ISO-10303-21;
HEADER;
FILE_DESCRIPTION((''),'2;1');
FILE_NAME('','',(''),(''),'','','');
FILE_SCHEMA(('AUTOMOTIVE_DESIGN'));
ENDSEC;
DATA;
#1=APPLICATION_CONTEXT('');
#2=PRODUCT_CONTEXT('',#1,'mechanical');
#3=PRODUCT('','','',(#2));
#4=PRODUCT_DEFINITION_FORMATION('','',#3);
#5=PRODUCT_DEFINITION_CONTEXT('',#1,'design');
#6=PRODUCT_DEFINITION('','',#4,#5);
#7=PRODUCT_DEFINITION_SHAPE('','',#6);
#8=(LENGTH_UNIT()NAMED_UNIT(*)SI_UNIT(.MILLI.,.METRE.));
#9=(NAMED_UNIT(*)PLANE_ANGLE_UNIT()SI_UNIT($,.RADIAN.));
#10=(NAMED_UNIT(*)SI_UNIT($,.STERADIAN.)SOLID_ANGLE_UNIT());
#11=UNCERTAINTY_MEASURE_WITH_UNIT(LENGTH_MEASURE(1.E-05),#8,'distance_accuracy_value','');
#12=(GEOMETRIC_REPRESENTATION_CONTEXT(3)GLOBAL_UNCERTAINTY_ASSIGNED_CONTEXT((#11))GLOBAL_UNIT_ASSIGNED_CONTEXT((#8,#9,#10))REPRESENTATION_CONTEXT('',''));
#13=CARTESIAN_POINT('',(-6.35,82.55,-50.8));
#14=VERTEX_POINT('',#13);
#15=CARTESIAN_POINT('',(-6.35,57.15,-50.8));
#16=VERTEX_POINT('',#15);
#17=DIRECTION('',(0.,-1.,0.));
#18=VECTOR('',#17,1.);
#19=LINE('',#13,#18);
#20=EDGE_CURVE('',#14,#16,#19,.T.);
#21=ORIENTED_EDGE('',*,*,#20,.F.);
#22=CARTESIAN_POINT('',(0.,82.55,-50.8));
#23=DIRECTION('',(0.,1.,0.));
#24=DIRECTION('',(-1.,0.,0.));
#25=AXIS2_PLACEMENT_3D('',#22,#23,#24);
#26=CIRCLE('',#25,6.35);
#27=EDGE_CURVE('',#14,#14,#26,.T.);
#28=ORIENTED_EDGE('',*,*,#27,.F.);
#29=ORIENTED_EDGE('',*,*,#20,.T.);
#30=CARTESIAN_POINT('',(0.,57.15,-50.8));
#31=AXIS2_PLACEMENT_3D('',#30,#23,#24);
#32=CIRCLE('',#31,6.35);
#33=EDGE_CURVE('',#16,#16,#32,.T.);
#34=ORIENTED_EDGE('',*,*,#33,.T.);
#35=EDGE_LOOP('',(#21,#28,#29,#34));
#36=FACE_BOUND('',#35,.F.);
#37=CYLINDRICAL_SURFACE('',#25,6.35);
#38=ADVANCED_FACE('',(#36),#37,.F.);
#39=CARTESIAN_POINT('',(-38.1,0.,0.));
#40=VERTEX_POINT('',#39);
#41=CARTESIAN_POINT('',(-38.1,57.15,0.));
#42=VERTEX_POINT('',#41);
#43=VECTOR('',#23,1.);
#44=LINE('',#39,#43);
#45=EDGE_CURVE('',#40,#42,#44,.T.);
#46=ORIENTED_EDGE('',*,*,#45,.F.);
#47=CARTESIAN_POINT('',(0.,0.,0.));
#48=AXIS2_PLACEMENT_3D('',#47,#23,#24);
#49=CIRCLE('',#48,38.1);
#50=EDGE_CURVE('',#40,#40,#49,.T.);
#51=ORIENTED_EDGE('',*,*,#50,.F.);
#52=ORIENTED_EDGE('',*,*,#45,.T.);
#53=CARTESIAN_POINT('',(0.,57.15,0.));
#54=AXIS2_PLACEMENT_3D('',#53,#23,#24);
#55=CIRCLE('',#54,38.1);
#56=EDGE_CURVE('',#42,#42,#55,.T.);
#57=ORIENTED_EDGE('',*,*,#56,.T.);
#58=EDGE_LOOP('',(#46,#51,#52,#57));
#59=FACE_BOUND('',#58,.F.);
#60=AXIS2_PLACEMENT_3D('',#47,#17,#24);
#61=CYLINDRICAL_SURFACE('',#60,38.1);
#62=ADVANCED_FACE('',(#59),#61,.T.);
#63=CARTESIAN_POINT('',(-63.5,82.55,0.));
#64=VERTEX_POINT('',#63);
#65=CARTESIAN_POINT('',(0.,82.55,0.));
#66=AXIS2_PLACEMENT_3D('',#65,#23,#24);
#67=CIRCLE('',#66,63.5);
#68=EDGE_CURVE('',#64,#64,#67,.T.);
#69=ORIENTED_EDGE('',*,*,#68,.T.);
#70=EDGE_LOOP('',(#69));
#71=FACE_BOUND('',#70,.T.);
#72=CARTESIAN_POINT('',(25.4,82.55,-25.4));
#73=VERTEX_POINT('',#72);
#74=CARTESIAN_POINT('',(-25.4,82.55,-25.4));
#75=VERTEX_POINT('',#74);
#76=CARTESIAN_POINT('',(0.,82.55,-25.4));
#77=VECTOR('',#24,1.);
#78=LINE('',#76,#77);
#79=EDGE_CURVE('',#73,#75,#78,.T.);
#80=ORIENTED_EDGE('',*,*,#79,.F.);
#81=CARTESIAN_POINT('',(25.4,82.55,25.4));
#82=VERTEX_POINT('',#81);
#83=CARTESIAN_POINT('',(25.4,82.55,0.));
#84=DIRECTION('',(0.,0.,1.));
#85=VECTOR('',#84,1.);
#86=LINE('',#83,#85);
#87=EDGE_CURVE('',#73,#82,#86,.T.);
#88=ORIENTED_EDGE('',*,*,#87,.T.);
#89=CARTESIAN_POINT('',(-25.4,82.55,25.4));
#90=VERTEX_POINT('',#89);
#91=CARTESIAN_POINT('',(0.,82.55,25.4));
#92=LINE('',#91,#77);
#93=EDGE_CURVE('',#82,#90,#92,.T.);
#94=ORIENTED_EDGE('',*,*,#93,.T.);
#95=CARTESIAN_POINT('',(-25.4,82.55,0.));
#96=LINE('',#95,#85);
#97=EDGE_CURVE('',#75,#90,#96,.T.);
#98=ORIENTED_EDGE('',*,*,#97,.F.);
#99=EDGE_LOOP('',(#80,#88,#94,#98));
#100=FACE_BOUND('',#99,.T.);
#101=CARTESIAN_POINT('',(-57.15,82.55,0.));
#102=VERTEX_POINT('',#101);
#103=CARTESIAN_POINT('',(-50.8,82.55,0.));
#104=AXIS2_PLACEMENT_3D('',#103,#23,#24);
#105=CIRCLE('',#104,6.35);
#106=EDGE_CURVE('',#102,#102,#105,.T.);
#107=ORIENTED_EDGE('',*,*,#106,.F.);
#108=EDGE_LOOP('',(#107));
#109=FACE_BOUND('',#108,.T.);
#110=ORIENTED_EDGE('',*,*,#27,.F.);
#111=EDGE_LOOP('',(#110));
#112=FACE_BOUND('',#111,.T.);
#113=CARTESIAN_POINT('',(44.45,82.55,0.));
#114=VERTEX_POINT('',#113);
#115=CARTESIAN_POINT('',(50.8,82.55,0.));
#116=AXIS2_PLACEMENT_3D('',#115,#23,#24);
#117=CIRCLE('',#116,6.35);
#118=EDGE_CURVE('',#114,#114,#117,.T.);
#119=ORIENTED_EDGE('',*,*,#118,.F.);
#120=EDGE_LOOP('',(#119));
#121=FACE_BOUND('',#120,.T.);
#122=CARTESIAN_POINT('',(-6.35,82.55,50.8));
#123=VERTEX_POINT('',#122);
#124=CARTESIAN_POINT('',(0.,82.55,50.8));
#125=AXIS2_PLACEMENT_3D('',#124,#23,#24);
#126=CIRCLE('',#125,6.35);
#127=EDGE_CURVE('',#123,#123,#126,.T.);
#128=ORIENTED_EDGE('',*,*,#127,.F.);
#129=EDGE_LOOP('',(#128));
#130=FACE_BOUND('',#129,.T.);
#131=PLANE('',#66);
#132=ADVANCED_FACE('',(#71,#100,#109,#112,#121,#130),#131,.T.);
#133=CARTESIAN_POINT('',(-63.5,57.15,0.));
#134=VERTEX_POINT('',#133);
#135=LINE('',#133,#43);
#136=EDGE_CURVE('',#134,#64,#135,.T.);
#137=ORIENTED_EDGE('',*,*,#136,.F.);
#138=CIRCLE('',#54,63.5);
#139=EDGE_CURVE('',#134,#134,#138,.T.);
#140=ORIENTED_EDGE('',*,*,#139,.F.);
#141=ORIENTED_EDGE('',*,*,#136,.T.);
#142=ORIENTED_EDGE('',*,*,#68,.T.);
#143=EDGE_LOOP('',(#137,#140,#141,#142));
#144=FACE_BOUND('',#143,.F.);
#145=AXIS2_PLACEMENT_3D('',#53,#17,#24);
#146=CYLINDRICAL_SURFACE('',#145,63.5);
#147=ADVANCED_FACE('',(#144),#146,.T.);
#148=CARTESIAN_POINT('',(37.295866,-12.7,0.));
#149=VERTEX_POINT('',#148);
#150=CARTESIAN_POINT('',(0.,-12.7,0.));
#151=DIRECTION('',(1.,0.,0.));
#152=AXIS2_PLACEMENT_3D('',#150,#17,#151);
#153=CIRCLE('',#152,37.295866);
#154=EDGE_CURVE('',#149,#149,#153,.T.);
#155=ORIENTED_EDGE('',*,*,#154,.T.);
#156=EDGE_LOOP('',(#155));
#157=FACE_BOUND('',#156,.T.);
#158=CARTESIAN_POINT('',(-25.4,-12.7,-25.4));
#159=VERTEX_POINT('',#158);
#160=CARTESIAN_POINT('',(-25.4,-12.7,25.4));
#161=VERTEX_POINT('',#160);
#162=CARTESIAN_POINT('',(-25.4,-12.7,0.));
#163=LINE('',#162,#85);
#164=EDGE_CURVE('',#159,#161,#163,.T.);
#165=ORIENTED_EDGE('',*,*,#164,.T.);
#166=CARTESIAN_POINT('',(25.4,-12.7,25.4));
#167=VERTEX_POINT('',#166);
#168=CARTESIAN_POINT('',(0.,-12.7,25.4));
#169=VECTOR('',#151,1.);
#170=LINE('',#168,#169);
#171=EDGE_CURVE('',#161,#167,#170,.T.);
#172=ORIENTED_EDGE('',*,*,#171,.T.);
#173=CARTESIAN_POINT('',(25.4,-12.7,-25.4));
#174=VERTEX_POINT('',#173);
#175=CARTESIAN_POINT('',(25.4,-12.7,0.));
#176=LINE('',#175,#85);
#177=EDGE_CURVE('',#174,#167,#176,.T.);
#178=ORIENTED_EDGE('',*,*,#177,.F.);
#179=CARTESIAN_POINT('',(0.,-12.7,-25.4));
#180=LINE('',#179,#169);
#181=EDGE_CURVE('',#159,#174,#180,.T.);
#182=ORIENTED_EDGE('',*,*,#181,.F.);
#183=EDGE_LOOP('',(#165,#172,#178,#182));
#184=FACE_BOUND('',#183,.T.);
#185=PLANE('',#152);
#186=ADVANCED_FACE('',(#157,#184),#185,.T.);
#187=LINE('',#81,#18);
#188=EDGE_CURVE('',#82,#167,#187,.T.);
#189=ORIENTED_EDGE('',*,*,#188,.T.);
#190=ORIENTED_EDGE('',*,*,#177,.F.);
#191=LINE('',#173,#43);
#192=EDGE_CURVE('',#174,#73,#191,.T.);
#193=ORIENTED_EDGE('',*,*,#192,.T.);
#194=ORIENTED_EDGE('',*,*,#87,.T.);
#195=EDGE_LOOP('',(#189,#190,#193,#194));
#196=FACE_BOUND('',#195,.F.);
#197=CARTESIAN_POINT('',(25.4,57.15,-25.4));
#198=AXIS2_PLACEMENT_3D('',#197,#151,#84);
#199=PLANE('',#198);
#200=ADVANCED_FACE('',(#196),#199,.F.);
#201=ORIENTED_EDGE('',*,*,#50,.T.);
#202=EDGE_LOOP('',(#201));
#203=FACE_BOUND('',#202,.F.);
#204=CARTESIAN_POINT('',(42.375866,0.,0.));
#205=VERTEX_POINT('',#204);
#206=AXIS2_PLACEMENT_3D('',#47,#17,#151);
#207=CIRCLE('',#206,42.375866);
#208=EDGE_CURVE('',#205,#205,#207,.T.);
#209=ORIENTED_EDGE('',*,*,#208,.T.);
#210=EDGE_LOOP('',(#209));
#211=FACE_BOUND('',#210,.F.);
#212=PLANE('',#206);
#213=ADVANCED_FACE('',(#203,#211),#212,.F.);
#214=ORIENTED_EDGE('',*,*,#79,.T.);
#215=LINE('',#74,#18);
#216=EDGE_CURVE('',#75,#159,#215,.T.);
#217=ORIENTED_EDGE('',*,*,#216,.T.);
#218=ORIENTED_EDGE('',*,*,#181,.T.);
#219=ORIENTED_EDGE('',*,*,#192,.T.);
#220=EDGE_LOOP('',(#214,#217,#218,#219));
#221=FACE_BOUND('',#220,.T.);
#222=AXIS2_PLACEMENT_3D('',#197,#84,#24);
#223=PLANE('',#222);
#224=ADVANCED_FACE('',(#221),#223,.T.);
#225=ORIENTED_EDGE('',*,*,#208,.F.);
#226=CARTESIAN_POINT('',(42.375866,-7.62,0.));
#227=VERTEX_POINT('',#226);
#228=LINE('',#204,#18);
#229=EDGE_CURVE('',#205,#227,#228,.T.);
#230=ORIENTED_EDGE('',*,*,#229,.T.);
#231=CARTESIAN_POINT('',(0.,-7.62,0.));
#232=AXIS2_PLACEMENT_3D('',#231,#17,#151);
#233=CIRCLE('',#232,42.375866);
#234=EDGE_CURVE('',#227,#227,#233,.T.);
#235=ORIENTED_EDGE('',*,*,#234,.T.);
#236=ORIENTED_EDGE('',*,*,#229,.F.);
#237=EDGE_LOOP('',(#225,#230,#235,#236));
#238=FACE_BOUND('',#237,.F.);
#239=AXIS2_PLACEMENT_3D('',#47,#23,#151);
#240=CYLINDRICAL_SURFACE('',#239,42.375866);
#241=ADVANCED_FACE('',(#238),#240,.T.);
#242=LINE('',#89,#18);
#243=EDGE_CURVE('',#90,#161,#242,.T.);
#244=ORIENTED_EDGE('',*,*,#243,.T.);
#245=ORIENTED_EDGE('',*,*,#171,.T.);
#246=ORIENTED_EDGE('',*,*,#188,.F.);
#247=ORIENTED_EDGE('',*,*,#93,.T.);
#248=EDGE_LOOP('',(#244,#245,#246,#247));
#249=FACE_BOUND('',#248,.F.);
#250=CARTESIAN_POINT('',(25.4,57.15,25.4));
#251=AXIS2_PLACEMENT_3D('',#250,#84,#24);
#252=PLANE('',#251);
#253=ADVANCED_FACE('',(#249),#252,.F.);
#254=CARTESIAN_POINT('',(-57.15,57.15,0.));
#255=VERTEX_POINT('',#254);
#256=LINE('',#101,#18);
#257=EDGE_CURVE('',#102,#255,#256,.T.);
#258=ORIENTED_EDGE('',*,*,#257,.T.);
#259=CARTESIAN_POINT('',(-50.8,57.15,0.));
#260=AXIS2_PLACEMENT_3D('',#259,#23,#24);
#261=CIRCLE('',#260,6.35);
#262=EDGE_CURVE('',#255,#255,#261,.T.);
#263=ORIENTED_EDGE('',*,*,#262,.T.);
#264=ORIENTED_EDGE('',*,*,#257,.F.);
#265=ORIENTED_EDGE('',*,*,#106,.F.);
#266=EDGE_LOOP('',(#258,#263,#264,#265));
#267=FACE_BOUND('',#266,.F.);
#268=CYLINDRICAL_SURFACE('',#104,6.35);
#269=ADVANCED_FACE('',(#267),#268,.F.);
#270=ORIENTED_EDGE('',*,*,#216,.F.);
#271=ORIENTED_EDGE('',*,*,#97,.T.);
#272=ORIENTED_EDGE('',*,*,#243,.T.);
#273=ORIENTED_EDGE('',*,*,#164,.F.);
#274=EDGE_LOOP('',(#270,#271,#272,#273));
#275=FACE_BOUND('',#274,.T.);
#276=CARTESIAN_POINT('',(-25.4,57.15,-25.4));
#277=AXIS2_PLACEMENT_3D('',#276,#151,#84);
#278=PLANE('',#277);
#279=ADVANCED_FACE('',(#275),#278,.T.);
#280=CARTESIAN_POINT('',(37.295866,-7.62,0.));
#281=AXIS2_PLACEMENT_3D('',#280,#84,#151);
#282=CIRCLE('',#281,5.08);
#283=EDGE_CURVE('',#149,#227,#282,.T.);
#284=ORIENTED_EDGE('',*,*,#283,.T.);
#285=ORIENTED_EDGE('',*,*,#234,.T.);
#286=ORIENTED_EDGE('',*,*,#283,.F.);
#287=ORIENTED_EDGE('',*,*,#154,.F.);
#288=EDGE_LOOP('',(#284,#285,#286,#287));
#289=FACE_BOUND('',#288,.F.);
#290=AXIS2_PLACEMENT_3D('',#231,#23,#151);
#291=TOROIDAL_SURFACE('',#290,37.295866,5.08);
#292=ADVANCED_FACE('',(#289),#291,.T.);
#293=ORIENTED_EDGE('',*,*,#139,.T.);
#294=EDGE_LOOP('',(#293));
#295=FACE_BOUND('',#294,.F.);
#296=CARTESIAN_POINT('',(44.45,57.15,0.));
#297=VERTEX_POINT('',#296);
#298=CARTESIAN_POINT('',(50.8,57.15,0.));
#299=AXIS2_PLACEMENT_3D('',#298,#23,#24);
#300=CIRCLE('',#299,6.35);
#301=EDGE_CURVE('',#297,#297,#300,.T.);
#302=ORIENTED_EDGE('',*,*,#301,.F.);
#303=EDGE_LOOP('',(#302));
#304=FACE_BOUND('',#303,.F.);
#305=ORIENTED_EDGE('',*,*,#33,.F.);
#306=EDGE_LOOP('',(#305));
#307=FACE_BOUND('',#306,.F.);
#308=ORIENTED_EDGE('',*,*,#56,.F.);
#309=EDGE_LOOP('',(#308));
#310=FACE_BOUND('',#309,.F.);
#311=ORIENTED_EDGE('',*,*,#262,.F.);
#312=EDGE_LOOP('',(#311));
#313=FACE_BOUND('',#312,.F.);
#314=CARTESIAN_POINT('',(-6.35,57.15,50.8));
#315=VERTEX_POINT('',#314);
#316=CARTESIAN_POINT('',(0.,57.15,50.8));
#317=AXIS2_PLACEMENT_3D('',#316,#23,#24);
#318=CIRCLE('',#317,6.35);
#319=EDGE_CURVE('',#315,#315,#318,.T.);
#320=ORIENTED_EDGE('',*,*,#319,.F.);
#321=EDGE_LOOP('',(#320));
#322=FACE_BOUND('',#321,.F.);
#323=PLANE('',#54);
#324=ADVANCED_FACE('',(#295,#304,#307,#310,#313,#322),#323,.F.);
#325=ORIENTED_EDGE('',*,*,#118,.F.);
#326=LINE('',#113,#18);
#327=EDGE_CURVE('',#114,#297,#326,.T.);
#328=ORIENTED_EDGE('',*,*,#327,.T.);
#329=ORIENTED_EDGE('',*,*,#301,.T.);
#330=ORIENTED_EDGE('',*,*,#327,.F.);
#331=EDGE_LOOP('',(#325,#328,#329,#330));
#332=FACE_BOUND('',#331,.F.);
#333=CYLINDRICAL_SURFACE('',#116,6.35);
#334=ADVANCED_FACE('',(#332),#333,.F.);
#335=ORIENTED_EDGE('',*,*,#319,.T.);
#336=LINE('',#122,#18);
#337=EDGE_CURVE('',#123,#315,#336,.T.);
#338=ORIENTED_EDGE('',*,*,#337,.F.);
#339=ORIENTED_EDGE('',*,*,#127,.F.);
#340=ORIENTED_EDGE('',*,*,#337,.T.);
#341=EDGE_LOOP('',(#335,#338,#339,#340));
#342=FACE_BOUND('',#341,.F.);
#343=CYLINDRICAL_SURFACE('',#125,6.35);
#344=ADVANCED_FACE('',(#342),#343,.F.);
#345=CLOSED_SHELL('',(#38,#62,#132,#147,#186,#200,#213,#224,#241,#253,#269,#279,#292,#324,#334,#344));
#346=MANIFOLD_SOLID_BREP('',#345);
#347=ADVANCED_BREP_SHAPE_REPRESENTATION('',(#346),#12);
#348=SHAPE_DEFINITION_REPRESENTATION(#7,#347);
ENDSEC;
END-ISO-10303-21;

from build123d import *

# Parameters (mm, degrees)
F0_R     = 42.3758659095
F0_R_2   = 38.1
F0_W     = 50.8
F0_H     = 50.8
F1_DEPTH = 12.7
F2_R     = 38.1
F2_W     = 50.8
F2_H     = 50.8
F3_DEPTH = 57.15
F4_R     = 63.5
F4_R_2   = 38.1
F4_W     = 50.8
F4_H     = 50.8
F5_DEPTH = 25.4
F6_R     = 6.35
F7_DEPTH = 38.1
F8_R     = 5.08


with BuildPart() as f1:
    # F0 (on Front) → F1 (new body)
    with BuildSketch(Plane.XZ):
        Circle(F0_R)
        Circle(F0_R_2, mode=Mode.SUBTRACT)
        Circle(F0_R_2)
        Rectangle(F0_W, F0_H, mode=Mode.SUBTRACT)
    extrude(amount=F1_DEPTH)

    # F2 (on face) → F3 (join)
    with BuildSketch(Plane(origin=(0, 0, 0), x_dir=(-1, 0, 0), z_dir=(0, 1, 0))):
        Circle(F2_R)
        Rectangle(F2_W, F2_H, mode=Mode.SUBTRACT)
    extrude(amount=F3_DEPTH)

    # F4 (on face) → F5 (join)
    with BuildSketch(Plane(origin=(0, 57.15, 0), x_dir=(-1, 0, 0), z_dir=(0, 1, 0))):
        Circle(F4_R)
        Circle(F4_R_2, mode=Mode.SUBTRACT)
        Circle(F4_R_2)
        Rectangle(F4_W, F4_H, mode=Mode.SUBTRACT)
    extrude(amount=F5_DEPTH)

    # F6 (on face) → F7 (cut)
    with BuildSketch(Plane(origin=(0, 82.55, 0), x_dir=(-1, 0, 0), z_dir=(0, 1, 0))):
        with Locations((0, -50.8)):
            Circle(F6_R)
        with Locations((-50.8, 0)):
            Circle(F6_R)
        with Locations((0, 50.8)):
            Circle(F6_R)
        with Locations((50.8, 0)):
            Circle(F6_R)
    extrude(amount=-F7_DEPTH, mode=Mode.SUBTRACT)

    # F8
    f8_edges = [f1.edges().sort_by_distance(p)[0] for p in [
        (-42.375866, -12.7, 0),
    ]]
    fillet(f8_edges, radius=F8_R)


solid = f1.part
